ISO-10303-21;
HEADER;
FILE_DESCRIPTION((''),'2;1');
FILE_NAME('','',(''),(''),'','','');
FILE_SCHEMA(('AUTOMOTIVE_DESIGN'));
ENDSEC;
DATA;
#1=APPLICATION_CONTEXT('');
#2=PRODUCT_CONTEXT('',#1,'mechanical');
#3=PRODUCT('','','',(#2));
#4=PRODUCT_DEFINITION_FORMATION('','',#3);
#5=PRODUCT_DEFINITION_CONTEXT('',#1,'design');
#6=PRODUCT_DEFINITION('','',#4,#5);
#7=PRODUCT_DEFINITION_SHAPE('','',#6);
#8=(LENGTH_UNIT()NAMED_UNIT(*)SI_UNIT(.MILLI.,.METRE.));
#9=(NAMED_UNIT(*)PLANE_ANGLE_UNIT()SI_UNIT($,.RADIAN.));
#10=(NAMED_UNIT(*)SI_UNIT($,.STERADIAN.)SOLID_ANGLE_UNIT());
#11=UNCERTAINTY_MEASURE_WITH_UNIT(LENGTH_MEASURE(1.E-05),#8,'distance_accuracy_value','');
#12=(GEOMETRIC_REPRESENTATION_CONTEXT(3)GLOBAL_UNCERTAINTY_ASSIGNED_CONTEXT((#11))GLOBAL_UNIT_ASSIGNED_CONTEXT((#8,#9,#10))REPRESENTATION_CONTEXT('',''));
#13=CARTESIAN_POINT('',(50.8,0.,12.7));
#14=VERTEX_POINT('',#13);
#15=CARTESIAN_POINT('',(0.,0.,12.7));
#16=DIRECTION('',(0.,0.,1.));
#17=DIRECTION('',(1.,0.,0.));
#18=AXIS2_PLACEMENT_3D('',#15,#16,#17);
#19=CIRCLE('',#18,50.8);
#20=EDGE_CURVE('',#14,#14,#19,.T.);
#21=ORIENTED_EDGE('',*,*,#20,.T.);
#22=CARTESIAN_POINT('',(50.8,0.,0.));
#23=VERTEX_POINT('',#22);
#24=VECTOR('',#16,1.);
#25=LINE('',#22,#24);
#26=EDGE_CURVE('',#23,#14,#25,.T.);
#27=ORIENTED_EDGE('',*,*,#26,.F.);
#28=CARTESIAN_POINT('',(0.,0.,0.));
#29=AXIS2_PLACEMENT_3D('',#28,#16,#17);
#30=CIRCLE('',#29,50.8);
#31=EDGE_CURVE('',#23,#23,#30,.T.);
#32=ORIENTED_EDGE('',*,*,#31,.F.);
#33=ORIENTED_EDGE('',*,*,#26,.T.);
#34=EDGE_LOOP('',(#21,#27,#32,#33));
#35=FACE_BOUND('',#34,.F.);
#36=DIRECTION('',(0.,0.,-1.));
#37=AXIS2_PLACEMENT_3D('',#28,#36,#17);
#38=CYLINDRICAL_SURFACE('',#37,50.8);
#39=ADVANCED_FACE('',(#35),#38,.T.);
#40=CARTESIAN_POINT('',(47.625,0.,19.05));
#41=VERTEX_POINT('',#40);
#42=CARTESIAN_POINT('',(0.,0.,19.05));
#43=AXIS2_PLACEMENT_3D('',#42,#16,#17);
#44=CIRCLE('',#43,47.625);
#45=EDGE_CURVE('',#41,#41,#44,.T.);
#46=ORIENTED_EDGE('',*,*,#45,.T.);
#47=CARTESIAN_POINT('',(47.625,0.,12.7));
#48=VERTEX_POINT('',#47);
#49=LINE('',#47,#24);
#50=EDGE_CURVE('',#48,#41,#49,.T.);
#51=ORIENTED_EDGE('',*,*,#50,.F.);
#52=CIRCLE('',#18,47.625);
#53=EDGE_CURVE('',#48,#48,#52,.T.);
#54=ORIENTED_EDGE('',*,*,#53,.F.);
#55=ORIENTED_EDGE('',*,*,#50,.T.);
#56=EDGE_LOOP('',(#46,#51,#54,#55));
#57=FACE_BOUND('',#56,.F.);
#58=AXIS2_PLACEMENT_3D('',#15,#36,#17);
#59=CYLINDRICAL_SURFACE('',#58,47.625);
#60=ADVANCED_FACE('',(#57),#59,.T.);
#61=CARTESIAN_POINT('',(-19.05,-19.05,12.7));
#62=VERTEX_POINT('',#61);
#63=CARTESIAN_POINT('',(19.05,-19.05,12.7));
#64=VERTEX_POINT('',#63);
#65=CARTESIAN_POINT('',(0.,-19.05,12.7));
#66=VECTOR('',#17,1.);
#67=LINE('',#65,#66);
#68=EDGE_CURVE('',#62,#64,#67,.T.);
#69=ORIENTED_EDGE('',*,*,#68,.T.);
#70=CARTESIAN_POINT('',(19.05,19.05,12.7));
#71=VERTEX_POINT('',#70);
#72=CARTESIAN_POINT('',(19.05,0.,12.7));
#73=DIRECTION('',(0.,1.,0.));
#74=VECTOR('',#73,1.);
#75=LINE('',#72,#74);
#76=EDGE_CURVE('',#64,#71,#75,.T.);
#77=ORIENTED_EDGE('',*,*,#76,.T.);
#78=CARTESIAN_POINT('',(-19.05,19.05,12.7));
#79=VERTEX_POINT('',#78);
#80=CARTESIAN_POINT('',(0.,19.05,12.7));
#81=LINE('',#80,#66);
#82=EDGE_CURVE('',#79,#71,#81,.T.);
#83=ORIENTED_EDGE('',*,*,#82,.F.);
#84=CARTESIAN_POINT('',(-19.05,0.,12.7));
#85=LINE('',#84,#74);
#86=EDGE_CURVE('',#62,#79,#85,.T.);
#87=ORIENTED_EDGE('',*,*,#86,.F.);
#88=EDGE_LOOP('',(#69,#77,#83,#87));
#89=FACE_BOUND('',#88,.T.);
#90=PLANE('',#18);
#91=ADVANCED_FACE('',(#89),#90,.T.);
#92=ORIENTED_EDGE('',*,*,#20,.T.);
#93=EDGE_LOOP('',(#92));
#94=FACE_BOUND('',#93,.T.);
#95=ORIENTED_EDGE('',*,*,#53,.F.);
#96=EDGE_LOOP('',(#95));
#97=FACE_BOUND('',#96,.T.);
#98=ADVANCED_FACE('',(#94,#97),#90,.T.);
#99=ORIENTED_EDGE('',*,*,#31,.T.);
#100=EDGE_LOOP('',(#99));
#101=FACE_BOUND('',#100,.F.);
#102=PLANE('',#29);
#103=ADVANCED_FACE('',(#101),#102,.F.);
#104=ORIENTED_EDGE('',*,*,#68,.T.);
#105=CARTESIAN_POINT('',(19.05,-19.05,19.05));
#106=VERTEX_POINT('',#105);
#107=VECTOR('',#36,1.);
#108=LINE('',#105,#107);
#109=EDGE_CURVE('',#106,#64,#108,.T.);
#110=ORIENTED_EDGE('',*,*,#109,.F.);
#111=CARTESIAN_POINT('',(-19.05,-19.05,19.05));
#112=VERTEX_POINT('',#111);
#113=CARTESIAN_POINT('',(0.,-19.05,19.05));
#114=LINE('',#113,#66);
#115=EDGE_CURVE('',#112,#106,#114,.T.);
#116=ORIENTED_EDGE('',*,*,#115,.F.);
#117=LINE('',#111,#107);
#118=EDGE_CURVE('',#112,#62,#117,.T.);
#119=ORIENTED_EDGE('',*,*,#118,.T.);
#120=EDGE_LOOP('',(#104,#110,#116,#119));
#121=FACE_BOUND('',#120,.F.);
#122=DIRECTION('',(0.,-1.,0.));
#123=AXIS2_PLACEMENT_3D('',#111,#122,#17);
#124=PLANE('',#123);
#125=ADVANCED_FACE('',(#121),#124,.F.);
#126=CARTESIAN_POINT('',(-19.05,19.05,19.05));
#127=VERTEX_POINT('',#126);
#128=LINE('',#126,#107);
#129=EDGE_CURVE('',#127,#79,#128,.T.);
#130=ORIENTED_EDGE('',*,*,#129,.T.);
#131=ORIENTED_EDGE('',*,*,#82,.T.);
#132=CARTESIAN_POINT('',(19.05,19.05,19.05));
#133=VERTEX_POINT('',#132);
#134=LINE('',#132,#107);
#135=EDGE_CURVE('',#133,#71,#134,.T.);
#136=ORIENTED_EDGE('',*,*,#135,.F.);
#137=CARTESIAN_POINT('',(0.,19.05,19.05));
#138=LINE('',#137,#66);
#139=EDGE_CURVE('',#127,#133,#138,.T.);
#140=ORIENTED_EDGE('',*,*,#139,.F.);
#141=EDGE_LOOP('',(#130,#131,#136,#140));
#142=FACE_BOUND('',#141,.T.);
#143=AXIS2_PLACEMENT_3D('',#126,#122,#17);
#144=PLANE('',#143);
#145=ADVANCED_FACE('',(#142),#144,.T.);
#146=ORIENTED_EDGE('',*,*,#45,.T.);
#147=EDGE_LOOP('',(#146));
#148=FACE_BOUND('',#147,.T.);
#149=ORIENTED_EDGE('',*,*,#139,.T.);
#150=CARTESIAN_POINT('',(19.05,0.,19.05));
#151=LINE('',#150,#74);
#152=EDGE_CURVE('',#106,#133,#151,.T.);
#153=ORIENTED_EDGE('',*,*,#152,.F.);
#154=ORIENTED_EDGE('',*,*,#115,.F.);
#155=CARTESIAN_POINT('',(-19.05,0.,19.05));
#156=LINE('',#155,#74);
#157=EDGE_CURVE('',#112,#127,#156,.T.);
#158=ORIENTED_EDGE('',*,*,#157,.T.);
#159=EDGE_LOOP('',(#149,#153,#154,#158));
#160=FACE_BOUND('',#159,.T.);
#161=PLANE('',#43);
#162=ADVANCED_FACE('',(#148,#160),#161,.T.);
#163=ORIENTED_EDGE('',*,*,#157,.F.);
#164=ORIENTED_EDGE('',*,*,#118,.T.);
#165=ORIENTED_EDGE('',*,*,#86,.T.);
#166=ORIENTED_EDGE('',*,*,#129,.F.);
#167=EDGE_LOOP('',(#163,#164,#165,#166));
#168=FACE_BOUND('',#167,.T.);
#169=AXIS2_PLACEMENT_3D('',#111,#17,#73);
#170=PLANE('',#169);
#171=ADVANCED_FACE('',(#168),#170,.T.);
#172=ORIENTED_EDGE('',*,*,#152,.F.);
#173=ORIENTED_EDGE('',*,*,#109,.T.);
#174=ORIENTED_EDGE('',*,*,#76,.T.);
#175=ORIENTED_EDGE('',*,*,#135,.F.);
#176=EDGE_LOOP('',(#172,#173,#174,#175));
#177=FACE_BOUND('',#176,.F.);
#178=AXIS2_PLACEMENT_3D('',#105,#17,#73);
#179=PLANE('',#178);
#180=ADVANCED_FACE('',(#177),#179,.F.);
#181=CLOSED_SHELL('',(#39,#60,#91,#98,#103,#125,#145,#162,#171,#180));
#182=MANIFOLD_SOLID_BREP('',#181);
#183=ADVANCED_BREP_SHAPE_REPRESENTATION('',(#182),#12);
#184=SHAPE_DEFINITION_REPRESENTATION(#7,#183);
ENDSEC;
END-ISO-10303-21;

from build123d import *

# Parameters (mm, degrees)
F0_R     = 50.8
F1_DEPTH = 12.7
F2_R     = 47.625
F3_DEPTH = 6.35
F4_W     = 38.1
F4_H     = 38.1
F5_DEPTH = 6.35


with BuildPart() as f1:
    # F0 (on Top) → F1 (new body)
    with BuildSketch(Plane.XY):
        Circle(F0_R)
    extrude(amount=F1_DEPTH)

    # F2 (on face) → F3 (join)
    with BuildSketch(Plane.XY.offset(12.7)):
        Circle(F2_R)
    extrude(amount=F3_DEPTH)

    # F4 (on face) → F5 (cut)
    with BuildSketch(Plane.XY.offset(19.05)):
        Rectangle(F4_W, F4_H)
    extrude(amount=-F5_DEPTH, mode=Mode.SUBTRACT)


solid = f1.part
